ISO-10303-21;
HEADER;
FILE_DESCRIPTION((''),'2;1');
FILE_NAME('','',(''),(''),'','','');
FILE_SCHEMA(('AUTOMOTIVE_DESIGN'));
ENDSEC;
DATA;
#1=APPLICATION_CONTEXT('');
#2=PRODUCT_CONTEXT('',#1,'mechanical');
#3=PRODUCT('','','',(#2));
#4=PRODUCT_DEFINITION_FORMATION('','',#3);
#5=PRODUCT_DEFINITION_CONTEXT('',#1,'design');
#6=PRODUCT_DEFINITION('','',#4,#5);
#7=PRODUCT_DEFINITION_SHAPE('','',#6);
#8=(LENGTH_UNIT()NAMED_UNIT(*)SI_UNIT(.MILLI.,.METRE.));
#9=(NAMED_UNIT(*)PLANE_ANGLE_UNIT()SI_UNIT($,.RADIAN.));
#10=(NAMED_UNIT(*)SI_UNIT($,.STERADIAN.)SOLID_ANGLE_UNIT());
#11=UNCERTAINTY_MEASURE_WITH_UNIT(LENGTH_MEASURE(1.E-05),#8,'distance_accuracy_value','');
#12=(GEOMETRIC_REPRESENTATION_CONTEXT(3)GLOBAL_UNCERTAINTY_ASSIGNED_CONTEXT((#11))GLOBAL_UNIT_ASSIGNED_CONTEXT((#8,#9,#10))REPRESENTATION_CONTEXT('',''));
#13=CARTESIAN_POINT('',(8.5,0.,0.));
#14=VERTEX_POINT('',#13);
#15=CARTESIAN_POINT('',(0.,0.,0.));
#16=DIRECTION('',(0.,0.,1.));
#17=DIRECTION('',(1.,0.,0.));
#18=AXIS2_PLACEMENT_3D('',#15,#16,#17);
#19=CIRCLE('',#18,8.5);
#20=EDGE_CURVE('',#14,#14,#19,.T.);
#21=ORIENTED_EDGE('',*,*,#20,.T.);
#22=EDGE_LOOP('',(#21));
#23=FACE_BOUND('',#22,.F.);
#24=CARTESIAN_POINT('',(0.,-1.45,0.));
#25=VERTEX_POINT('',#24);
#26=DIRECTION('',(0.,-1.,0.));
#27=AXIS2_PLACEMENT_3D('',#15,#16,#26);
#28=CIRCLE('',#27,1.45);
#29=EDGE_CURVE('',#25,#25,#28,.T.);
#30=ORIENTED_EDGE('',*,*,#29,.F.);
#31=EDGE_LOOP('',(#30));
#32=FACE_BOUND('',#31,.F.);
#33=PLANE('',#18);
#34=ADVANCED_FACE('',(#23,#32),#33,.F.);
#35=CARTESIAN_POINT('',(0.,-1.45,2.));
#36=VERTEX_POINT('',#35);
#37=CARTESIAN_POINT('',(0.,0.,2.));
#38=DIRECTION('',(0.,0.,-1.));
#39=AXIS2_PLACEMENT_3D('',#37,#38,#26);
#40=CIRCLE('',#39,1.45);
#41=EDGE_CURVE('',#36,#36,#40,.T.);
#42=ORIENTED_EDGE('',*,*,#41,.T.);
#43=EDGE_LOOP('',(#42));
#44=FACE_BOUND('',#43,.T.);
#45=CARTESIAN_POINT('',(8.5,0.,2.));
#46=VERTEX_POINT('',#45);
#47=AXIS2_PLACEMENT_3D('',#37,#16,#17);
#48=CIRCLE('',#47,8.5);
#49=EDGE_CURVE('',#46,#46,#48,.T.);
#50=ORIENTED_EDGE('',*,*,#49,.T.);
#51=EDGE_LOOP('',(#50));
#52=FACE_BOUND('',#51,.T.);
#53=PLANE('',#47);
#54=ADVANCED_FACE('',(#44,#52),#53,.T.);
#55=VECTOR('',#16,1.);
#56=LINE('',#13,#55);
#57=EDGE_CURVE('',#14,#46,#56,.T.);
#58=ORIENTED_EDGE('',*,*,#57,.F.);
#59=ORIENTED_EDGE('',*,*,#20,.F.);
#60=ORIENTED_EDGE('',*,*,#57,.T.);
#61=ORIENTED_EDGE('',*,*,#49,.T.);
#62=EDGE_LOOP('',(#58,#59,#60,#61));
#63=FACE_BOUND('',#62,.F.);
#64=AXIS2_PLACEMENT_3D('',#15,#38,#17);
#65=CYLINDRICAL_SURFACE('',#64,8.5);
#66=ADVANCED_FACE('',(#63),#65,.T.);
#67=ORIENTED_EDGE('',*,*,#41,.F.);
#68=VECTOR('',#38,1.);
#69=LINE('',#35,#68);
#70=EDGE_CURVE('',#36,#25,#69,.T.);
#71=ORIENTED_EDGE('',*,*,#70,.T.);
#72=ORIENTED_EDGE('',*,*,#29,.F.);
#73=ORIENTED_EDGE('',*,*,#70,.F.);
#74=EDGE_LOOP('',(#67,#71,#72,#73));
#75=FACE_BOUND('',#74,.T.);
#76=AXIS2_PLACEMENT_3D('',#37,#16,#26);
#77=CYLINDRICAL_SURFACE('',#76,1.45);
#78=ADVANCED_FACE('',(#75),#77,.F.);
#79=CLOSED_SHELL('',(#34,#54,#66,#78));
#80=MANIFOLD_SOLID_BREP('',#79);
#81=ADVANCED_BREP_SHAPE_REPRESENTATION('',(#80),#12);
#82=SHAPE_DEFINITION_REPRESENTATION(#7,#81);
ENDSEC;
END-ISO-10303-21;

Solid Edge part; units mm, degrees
sketch "Sketch1" plane through (0, 0, 0) normal (0, 0, 1) x (1, 0, 0)
  circle A0 centre (0, 0) radius 8.5
extrude "Protrusion1" add sketch "Sketch1" along normal blind 2
hole "Bohrung_1" at (0, 0, 2) direction (0, 0, -1) diameter 2.9 end through all
properties material "PLA(50%)"
